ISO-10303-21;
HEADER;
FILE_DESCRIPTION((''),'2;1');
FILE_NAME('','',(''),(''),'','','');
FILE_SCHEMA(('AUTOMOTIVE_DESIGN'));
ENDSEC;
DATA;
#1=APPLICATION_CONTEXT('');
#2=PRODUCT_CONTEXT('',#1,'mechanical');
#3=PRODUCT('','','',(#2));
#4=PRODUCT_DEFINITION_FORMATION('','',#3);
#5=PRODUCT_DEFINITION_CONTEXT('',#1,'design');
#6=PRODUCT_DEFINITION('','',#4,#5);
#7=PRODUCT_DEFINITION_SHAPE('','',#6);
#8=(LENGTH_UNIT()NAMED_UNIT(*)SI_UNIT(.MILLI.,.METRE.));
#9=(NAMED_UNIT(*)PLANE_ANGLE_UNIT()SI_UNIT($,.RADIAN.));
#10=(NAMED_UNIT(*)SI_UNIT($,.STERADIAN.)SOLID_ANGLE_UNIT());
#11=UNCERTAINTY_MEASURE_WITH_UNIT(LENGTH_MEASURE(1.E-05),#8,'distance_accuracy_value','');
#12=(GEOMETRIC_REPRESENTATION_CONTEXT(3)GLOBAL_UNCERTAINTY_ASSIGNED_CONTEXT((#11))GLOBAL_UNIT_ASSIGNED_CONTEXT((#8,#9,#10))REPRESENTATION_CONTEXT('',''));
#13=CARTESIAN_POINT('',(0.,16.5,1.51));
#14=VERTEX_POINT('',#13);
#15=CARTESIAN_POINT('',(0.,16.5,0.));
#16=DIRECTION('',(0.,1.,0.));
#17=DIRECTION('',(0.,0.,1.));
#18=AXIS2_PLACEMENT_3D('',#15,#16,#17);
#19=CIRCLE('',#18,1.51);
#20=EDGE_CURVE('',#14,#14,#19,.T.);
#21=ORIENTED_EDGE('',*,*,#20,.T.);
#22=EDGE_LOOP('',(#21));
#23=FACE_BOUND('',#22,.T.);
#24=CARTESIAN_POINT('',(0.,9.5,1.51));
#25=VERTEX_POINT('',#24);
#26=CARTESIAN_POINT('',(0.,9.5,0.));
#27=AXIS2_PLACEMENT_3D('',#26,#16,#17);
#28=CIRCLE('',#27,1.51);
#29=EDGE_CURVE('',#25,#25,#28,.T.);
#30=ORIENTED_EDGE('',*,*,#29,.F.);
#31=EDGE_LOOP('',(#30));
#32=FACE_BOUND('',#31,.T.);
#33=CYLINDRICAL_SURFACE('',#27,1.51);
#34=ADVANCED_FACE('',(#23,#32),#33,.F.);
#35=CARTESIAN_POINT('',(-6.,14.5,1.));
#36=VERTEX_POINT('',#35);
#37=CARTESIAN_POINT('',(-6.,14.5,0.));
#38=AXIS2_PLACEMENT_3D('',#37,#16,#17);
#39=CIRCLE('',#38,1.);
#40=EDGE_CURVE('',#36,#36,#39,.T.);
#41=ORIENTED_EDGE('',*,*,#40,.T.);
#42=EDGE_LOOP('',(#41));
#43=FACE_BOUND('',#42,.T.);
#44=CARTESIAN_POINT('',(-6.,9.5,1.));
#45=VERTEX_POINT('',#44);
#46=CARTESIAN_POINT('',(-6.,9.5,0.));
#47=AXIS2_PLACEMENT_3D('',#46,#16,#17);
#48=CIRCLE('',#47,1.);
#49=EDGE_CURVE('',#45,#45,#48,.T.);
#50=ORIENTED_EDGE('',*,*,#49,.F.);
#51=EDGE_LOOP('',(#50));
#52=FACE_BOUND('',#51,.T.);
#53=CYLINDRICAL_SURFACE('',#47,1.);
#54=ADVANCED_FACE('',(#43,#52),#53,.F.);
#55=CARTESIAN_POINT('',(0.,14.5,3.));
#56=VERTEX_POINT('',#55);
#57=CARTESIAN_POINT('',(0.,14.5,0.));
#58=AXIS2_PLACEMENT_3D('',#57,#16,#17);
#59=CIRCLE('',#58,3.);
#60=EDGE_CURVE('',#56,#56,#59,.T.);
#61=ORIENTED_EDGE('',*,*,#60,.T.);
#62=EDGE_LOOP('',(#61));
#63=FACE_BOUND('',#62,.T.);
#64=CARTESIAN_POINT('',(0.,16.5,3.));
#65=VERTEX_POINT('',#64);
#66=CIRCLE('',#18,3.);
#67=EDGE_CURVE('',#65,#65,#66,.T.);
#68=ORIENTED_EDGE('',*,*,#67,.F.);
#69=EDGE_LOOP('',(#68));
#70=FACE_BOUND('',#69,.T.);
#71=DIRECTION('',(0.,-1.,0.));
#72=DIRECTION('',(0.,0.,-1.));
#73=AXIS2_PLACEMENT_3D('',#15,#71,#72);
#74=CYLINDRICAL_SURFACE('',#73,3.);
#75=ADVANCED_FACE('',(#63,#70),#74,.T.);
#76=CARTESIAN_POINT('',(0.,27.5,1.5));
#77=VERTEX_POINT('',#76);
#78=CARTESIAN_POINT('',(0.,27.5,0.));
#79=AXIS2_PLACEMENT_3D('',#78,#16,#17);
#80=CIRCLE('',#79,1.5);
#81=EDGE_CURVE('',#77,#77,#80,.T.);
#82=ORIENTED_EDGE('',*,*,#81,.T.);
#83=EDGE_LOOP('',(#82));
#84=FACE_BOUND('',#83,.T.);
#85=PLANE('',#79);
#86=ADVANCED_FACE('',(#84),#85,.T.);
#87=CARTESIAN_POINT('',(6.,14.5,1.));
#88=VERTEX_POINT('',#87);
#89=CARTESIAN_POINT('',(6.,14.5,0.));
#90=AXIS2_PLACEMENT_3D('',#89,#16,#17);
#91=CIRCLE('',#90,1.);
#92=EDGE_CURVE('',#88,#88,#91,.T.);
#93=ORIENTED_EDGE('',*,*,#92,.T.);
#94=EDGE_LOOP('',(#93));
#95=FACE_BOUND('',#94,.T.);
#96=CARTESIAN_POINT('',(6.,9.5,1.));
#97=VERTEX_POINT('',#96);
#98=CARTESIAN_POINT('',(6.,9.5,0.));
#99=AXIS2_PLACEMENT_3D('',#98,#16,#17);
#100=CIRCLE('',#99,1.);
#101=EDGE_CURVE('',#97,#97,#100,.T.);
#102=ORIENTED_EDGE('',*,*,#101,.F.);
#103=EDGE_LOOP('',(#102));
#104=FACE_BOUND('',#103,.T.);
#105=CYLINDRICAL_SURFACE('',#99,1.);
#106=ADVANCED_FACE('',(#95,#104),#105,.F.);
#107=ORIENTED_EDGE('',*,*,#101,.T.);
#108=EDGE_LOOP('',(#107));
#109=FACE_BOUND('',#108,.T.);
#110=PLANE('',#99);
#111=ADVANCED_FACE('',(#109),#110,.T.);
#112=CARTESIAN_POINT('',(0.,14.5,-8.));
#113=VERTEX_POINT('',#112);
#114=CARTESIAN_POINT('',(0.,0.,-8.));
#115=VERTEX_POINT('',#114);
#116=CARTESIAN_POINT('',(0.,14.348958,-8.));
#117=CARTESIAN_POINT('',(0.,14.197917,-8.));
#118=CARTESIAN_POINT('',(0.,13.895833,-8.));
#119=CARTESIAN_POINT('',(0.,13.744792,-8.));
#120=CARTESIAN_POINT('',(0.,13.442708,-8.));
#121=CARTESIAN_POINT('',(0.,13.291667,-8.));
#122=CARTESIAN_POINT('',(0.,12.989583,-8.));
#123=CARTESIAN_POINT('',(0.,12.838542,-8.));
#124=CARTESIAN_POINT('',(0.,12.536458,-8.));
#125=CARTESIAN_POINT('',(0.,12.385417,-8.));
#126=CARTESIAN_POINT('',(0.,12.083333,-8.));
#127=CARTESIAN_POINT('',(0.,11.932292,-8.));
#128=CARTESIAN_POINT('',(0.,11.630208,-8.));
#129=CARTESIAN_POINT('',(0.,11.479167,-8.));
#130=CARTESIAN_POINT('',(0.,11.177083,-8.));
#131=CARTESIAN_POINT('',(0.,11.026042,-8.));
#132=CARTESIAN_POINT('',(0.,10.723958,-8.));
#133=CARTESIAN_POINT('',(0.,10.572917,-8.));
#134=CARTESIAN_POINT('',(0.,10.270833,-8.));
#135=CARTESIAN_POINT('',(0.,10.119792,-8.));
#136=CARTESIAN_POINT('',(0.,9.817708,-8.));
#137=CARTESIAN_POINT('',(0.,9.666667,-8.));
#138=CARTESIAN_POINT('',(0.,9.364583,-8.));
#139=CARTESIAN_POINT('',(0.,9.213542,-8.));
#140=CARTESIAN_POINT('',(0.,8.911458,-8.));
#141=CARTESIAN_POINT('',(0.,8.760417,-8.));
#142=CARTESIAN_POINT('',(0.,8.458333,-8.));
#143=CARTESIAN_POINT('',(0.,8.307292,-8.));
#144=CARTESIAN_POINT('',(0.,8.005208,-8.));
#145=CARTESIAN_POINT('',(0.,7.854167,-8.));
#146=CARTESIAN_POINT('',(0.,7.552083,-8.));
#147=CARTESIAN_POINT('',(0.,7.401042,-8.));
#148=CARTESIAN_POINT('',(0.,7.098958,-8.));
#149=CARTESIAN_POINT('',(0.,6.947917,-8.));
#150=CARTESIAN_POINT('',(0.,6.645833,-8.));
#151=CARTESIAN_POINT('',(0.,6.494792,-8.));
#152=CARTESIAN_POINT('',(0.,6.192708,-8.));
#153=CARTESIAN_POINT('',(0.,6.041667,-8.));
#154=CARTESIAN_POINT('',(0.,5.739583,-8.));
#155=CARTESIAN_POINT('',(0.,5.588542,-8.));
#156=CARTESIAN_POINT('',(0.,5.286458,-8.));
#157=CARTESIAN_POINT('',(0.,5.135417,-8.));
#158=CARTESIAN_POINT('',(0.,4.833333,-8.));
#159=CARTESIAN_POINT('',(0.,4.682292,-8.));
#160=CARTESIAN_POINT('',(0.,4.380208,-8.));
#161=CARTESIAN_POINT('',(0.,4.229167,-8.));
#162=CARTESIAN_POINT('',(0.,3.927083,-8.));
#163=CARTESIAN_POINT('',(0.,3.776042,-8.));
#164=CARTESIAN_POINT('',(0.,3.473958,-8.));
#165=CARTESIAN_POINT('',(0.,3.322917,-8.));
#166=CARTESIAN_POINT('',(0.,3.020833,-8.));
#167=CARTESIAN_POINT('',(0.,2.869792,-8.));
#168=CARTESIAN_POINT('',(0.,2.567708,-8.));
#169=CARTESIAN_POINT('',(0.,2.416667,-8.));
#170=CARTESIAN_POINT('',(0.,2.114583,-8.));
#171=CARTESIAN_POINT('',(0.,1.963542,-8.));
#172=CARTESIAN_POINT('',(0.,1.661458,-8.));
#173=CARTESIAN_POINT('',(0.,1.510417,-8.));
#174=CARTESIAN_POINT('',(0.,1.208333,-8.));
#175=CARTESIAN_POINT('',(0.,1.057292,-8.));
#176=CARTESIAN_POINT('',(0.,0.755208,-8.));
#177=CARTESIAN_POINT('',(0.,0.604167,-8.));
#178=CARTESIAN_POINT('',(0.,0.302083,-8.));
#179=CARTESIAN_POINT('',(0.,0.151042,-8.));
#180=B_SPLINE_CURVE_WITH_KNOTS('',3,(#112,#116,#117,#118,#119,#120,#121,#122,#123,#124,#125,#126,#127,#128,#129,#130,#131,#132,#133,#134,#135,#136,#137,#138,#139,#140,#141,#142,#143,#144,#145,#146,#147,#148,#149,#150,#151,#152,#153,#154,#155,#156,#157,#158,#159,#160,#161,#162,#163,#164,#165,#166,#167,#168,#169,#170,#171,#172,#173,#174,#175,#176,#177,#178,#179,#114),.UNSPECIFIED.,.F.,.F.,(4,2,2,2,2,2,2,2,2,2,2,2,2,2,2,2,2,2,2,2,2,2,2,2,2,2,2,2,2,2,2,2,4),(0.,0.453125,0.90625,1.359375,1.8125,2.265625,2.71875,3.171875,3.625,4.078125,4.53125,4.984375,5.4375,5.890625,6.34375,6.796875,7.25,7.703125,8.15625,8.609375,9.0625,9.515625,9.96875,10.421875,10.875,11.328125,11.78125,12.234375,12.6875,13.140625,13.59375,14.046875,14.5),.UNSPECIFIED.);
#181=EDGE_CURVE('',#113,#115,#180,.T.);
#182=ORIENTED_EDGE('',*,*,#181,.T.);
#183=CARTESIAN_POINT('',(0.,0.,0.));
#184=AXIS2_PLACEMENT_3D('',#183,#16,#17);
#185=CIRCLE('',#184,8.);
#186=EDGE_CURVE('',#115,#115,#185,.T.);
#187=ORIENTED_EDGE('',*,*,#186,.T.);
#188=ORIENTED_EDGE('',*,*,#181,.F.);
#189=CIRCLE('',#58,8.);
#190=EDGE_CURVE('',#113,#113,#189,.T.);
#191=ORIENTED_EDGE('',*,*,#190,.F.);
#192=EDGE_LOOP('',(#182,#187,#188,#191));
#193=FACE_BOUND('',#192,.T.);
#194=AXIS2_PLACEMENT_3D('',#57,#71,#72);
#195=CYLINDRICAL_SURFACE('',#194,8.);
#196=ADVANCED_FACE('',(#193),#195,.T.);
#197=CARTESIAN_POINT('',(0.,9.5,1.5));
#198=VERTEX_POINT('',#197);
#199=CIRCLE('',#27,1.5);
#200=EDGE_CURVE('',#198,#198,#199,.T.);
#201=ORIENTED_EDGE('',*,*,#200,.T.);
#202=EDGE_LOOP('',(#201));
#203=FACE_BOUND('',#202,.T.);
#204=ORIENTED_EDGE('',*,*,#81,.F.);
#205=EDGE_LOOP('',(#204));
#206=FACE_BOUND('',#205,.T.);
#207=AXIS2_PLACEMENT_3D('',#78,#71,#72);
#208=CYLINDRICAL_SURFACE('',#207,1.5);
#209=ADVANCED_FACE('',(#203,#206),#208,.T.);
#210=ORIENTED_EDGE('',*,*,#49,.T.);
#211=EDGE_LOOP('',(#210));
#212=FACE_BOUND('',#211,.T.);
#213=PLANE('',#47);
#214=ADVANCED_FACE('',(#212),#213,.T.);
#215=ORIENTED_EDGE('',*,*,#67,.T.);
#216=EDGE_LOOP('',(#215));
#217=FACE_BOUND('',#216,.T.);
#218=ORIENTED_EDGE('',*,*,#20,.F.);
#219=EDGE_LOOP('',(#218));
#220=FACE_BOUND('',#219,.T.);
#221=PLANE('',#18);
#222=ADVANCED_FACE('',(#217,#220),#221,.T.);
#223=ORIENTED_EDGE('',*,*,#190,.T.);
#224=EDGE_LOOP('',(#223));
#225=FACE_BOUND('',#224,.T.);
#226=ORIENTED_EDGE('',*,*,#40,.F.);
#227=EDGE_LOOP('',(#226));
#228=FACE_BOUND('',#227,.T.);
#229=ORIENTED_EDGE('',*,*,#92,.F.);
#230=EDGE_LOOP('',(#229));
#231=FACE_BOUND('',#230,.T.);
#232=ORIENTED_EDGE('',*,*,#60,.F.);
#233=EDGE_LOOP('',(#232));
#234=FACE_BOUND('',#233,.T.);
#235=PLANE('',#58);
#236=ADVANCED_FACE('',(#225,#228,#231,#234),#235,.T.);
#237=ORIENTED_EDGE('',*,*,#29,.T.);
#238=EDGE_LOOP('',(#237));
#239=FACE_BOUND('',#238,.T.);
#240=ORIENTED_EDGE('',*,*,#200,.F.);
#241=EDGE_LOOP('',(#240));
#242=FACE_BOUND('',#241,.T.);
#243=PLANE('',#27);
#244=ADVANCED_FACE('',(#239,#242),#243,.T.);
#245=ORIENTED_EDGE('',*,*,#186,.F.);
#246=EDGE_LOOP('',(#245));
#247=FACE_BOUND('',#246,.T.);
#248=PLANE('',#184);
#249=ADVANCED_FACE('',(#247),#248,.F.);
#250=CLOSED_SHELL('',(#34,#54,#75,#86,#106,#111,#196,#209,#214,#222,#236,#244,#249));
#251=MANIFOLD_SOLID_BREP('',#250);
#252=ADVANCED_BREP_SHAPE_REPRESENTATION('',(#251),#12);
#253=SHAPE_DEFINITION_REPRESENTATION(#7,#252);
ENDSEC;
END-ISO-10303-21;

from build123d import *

# Parameters (mm, degrees)
CROQUIS1_R              = 8
SALIENTE_EXTRUIR1_DEPTH = 14.5
CROQUIS2_R              = 1
CROQUIS2_R_2            = 1.51
CORTAR_EXTRUIR1_DEPTH   = 5
SALIENTE_EXTRUIR2_START = 2
CROQUIS3_R              = 3
CROQUIS3_R_2            = 1.51
SALIENTE_EXTRUIR2_DEPTH = 2
CROQUIS4_R              = 1.5
SALIENTE_EXTRUIR3_DEPTH = 18


with BuildPart() as part:
    # Croquis1 → Saliente-Extruir1 (new body)
    with BuildSketch(Plane(origin=(0, 0, 0), x_dir=(1, 0, 0), z_dir=(0, 1, 0))):
        with Locations(Location((0, 0, 0), (0, 0, 90))):
            Circle(CROQUIS1_R)
    extrude(amount=SALIENTE_EXTRUIR1_DEPTH)

    # Croquis2 → Cortar-Extruir1 (cut)
    with BuildSketch(Plane(origin=(0, 14.5, 0), x_dir=(1, 0, 0), z_dir=(0, 1, 0))):
        with Locations(Location((6, 0, 0), (0, 0, 270))):
            Circle(CROQUIS2_R)
        with Locations(Location((-6, 0, 0), (0, 0, 270))):
            Circle(CROQUIS2_R)
        with Locations(Location((0, 0, 0), (0, 0, 270))):
            Circle(CROQUIS2_R_2)
    extrude(amount=-CORTAR_EXTRUIR1_DEPTH, mode=Mode.SUBTRACT)

    # Croquis3 → Saliente-Extruir2 (add)
    with BuildSketch(Plane(origin=(0, 14.5, 0), x_dir=(1, 0, 0), z_dir=(0, 1, 0)).offset(SALIENTE_EXTRUIR2_START)):
        with Locations(Location((0, 0, 0), (0, 0, 270))):
            Circle(CROQUIS3_R)
        with Locations(Location((0, 0, 0), (0, 0, 270))):
            Circle(CROQUIS3_R_2, mode=Mode.SUBTRACT)
    extrude(amount=-SALIENTE_EXTRUIR2_DEPTH)

    # Croquis4 → Saliente-Extruir3 (add)
    with BuildSketch(Plane(origin=(0, 9.5, 0), x_dir=(1, 0, 0), z_dir=(0, 1, 0))):
        with Locations(Location((0, 0, 0), (0, 0, 270))):
            Circle(CROQUIS4_R)
    extrude(amount=SALIENTE_EXTRUIR3_DEPTH)


solid = part.part
